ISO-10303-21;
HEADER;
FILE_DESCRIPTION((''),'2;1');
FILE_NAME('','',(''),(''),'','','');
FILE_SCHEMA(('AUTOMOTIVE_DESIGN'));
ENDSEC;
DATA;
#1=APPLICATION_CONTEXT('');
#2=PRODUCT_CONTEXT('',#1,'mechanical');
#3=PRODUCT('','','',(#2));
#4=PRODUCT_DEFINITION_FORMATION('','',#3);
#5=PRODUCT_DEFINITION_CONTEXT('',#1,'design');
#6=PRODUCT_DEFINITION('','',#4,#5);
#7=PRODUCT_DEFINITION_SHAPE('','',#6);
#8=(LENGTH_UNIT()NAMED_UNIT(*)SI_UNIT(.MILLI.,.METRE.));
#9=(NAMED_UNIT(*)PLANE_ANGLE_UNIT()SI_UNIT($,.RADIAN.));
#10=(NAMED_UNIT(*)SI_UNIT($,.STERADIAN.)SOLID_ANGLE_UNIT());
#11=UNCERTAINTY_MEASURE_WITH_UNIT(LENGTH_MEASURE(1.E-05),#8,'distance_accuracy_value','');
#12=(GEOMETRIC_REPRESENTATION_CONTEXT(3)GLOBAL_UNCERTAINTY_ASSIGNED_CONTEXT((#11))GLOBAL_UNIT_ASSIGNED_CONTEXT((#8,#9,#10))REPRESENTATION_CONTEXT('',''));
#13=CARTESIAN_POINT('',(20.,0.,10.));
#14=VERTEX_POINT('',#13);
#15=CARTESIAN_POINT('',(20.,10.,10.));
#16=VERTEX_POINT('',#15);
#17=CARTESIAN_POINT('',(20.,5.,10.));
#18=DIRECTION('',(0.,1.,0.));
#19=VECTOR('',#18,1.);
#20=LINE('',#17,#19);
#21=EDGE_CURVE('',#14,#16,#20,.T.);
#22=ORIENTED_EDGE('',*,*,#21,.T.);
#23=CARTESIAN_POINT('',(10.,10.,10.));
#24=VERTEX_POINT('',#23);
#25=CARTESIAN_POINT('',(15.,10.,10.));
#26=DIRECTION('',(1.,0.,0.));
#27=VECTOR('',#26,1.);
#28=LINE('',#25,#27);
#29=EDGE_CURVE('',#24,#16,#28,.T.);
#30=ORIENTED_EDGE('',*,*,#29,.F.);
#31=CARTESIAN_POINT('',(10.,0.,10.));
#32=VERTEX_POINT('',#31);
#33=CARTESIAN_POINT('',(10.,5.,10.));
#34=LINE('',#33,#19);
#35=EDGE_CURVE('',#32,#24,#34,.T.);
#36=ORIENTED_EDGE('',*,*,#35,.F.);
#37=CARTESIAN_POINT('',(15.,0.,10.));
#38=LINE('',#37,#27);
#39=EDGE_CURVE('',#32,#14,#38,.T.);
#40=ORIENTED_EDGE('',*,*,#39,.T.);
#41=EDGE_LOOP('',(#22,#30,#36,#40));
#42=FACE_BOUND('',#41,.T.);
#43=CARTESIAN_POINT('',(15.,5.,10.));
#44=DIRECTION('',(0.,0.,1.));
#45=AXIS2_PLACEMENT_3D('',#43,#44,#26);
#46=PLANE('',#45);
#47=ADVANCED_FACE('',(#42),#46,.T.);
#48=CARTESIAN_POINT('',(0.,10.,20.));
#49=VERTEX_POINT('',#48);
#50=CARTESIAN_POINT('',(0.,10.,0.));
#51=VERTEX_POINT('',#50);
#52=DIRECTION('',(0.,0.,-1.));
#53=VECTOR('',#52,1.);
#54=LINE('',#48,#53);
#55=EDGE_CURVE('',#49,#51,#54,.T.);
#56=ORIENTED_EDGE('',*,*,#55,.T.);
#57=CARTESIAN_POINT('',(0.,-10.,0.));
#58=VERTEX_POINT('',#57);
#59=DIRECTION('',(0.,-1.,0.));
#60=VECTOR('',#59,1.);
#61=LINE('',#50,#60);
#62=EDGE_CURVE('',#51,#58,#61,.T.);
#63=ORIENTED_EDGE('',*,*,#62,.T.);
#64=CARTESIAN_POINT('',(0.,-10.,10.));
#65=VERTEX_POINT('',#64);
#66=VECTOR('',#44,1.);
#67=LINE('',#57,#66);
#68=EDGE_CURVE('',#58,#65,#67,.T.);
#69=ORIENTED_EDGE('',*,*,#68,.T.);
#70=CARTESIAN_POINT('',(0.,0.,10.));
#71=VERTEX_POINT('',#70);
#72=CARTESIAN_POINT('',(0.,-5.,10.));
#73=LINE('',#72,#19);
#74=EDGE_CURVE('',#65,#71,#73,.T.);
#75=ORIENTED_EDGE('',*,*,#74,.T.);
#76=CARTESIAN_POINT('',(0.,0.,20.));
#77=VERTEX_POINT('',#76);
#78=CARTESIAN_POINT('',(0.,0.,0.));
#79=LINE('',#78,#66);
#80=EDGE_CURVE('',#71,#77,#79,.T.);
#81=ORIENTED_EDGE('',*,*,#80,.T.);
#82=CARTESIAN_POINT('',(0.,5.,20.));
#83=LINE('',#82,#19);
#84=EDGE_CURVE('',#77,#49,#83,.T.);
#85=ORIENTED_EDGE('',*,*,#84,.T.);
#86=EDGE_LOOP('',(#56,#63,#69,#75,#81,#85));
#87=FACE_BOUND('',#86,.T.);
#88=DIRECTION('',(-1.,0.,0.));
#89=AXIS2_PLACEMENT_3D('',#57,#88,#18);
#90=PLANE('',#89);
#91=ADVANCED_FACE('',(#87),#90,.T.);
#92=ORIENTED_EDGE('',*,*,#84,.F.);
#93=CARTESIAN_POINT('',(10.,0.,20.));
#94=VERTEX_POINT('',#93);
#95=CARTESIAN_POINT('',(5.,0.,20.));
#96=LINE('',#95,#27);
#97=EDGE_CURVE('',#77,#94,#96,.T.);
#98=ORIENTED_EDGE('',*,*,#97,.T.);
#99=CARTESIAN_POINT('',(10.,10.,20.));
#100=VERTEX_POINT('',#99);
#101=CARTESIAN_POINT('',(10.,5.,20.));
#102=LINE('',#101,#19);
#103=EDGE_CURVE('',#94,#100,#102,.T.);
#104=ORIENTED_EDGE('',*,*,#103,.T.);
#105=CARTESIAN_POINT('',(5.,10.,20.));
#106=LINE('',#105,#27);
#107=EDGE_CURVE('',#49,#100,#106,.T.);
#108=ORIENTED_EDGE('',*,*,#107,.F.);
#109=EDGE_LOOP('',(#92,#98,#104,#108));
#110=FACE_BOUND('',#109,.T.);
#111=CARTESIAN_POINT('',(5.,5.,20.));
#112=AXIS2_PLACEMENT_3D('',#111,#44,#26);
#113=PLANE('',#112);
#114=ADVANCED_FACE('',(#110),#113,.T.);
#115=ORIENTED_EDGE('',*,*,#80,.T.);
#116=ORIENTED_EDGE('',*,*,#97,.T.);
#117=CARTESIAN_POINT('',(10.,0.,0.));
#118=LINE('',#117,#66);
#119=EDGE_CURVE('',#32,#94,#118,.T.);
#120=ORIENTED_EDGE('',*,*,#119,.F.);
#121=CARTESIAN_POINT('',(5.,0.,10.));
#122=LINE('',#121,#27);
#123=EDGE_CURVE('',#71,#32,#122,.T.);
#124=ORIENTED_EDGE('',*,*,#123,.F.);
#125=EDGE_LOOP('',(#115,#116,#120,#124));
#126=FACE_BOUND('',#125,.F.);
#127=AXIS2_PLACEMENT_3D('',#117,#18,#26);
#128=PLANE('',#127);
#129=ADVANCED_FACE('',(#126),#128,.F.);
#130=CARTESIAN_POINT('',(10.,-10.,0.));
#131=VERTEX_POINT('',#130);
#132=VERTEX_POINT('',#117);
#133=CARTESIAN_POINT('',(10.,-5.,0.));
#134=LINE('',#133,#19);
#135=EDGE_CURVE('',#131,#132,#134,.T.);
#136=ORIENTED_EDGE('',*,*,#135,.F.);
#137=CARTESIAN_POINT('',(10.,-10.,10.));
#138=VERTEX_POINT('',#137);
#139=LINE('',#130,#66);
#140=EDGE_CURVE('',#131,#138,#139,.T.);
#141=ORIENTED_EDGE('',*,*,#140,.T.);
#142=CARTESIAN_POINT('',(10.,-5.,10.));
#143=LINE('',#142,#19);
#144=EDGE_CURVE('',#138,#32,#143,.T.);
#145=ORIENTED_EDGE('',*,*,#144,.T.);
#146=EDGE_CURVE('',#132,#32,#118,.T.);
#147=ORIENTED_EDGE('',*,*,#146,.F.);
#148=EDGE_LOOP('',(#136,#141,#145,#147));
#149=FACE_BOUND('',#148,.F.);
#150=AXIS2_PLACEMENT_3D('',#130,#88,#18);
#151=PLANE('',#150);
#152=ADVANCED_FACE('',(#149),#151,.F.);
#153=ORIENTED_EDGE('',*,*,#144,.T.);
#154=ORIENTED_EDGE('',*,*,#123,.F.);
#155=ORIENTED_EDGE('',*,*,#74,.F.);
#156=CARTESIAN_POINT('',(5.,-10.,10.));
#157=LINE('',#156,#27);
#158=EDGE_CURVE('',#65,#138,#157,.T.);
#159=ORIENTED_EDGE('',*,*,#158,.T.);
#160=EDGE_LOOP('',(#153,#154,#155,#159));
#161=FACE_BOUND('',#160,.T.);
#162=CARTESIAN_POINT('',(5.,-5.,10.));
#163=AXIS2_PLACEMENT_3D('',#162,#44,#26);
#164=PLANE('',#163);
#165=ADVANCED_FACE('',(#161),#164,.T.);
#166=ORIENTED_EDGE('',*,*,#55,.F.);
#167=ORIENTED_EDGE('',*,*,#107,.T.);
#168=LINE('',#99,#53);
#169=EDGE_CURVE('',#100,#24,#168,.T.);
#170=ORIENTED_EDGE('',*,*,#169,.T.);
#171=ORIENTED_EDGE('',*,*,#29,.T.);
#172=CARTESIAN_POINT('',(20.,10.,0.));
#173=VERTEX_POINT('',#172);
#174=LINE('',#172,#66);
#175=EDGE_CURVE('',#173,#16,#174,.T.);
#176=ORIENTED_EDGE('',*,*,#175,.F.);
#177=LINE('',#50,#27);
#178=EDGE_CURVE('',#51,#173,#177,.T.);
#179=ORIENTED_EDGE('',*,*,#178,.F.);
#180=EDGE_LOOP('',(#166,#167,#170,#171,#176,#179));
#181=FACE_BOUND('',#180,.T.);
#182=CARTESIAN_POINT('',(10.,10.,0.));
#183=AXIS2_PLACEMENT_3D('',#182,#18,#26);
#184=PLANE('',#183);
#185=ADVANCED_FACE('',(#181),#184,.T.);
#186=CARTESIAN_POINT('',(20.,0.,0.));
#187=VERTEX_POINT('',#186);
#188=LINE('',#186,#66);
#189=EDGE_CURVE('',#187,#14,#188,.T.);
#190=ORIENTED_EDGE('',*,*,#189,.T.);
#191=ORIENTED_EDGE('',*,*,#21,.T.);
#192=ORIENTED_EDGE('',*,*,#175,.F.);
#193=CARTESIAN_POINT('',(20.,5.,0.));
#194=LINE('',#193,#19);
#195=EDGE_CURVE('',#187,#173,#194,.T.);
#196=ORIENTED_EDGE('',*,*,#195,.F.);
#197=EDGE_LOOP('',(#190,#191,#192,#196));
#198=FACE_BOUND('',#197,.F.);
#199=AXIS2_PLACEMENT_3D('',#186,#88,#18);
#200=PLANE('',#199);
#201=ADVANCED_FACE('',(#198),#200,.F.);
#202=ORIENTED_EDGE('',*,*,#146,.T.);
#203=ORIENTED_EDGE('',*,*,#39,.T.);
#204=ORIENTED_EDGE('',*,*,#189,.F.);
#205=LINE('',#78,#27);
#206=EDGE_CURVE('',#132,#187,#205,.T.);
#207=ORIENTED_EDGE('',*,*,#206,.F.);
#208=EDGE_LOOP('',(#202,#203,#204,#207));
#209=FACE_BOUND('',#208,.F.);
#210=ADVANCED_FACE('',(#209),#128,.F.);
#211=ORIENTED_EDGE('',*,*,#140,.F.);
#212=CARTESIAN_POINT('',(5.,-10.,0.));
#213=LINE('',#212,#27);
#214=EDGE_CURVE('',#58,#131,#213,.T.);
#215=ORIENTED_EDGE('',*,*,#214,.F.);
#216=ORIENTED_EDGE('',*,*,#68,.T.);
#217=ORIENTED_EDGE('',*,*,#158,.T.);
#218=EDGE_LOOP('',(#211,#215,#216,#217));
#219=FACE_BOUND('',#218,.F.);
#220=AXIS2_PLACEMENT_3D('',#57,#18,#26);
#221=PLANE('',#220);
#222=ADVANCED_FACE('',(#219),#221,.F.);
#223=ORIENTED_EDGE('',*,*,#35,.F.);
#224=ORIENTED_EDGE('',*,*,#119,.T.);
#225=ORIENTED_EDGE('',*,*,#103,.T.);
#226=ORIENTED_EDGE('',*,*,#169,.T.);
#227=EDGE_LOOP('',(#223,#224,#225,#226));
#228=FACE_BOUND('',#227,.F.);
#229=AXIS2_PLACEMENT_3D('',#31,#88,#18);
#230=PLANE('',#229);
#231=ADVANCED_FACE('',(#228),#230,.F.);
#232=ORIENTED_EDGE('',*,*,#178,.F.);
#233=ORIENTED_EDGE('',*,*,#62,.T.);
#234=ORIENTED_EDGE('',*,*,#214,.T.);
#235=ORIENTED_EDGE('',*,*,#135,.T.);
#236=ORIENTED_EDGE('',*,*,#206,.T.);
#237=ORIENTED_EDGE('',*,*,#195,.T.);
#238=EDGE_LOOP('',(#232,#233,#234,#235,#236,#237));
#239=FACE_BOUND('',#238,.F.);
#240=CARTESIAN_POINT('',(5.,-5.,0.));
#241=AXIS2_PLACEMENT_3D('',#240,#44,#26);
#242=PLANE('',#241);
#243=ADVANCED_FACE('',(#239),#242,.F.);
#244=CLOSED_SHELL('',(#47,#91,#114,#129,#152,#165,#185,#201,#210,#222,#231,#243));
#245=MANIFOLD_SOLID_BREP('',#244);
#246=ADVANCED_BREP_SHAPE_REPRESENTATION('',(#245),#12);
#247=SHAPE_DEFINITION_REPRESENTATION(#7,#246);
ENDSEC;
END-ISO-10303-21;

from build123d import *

# Parameters (mm, degrees)
BOX001_W     = 10
BOX001_H     = 10
BOX001_DEPTH = 10
BOX002_W     = 10
BOX002_H     = 10
BOX002_DEPTH = 10
BOX003_W     = 10
BOX003_H     = 10
BOX003_DEPTH = 10
BOX_W        = 10
BOX_H        = 10
BOX_DEPTH    = 10


with BuildPart() as cube001:
    # Box001 → Box001 (new body)
    with BuildSketch(Plane.XY.offset(10)):
        with Locations((5, 5)):
            Rectangle(BOX001_W, BOX001_H)
    extrude(amount=BOX001_DEPTH)


with BuildPart() as cube002:
    # Box002 → Box002 (new body)
    with BuildSketch(Plane(origin=(10, 0, 0), x_dir=(1, 0, 0), z_dir=(0, 0, 1))):
        with Locations((5, 5)):
            Rectangle(BOX002_W, BOX002_H)
    extrude(amount=BOX002_DEPTH)


with BuildPart() as cube003:
    # Box003 → Box003 (new body)
    with BuildSketch(Plane(origin=(0, -10, 0), x_dir=(1, 0, 0), z_dir=(0, 0, 1))):
        with Locations((5, 5)):
            Rectangle(BOX003_W, BOX003_H)
    extrude(amount=BOX003_DEPTH)


with BuildPart() as fusion:
    # Box → Box (new body)
    with BuildSketch(Plane.XY):
        with Locations((5, 5)):
            Rectangle(BOX_W, BOX_H)
    extrude(amount=BOX_DEPTH)

    # Fusion: union Cube001, Cube002, Cube003
    add(cube001.part)
    add(cube002.part)
    add(cube003.part)


solid = fusion.part
